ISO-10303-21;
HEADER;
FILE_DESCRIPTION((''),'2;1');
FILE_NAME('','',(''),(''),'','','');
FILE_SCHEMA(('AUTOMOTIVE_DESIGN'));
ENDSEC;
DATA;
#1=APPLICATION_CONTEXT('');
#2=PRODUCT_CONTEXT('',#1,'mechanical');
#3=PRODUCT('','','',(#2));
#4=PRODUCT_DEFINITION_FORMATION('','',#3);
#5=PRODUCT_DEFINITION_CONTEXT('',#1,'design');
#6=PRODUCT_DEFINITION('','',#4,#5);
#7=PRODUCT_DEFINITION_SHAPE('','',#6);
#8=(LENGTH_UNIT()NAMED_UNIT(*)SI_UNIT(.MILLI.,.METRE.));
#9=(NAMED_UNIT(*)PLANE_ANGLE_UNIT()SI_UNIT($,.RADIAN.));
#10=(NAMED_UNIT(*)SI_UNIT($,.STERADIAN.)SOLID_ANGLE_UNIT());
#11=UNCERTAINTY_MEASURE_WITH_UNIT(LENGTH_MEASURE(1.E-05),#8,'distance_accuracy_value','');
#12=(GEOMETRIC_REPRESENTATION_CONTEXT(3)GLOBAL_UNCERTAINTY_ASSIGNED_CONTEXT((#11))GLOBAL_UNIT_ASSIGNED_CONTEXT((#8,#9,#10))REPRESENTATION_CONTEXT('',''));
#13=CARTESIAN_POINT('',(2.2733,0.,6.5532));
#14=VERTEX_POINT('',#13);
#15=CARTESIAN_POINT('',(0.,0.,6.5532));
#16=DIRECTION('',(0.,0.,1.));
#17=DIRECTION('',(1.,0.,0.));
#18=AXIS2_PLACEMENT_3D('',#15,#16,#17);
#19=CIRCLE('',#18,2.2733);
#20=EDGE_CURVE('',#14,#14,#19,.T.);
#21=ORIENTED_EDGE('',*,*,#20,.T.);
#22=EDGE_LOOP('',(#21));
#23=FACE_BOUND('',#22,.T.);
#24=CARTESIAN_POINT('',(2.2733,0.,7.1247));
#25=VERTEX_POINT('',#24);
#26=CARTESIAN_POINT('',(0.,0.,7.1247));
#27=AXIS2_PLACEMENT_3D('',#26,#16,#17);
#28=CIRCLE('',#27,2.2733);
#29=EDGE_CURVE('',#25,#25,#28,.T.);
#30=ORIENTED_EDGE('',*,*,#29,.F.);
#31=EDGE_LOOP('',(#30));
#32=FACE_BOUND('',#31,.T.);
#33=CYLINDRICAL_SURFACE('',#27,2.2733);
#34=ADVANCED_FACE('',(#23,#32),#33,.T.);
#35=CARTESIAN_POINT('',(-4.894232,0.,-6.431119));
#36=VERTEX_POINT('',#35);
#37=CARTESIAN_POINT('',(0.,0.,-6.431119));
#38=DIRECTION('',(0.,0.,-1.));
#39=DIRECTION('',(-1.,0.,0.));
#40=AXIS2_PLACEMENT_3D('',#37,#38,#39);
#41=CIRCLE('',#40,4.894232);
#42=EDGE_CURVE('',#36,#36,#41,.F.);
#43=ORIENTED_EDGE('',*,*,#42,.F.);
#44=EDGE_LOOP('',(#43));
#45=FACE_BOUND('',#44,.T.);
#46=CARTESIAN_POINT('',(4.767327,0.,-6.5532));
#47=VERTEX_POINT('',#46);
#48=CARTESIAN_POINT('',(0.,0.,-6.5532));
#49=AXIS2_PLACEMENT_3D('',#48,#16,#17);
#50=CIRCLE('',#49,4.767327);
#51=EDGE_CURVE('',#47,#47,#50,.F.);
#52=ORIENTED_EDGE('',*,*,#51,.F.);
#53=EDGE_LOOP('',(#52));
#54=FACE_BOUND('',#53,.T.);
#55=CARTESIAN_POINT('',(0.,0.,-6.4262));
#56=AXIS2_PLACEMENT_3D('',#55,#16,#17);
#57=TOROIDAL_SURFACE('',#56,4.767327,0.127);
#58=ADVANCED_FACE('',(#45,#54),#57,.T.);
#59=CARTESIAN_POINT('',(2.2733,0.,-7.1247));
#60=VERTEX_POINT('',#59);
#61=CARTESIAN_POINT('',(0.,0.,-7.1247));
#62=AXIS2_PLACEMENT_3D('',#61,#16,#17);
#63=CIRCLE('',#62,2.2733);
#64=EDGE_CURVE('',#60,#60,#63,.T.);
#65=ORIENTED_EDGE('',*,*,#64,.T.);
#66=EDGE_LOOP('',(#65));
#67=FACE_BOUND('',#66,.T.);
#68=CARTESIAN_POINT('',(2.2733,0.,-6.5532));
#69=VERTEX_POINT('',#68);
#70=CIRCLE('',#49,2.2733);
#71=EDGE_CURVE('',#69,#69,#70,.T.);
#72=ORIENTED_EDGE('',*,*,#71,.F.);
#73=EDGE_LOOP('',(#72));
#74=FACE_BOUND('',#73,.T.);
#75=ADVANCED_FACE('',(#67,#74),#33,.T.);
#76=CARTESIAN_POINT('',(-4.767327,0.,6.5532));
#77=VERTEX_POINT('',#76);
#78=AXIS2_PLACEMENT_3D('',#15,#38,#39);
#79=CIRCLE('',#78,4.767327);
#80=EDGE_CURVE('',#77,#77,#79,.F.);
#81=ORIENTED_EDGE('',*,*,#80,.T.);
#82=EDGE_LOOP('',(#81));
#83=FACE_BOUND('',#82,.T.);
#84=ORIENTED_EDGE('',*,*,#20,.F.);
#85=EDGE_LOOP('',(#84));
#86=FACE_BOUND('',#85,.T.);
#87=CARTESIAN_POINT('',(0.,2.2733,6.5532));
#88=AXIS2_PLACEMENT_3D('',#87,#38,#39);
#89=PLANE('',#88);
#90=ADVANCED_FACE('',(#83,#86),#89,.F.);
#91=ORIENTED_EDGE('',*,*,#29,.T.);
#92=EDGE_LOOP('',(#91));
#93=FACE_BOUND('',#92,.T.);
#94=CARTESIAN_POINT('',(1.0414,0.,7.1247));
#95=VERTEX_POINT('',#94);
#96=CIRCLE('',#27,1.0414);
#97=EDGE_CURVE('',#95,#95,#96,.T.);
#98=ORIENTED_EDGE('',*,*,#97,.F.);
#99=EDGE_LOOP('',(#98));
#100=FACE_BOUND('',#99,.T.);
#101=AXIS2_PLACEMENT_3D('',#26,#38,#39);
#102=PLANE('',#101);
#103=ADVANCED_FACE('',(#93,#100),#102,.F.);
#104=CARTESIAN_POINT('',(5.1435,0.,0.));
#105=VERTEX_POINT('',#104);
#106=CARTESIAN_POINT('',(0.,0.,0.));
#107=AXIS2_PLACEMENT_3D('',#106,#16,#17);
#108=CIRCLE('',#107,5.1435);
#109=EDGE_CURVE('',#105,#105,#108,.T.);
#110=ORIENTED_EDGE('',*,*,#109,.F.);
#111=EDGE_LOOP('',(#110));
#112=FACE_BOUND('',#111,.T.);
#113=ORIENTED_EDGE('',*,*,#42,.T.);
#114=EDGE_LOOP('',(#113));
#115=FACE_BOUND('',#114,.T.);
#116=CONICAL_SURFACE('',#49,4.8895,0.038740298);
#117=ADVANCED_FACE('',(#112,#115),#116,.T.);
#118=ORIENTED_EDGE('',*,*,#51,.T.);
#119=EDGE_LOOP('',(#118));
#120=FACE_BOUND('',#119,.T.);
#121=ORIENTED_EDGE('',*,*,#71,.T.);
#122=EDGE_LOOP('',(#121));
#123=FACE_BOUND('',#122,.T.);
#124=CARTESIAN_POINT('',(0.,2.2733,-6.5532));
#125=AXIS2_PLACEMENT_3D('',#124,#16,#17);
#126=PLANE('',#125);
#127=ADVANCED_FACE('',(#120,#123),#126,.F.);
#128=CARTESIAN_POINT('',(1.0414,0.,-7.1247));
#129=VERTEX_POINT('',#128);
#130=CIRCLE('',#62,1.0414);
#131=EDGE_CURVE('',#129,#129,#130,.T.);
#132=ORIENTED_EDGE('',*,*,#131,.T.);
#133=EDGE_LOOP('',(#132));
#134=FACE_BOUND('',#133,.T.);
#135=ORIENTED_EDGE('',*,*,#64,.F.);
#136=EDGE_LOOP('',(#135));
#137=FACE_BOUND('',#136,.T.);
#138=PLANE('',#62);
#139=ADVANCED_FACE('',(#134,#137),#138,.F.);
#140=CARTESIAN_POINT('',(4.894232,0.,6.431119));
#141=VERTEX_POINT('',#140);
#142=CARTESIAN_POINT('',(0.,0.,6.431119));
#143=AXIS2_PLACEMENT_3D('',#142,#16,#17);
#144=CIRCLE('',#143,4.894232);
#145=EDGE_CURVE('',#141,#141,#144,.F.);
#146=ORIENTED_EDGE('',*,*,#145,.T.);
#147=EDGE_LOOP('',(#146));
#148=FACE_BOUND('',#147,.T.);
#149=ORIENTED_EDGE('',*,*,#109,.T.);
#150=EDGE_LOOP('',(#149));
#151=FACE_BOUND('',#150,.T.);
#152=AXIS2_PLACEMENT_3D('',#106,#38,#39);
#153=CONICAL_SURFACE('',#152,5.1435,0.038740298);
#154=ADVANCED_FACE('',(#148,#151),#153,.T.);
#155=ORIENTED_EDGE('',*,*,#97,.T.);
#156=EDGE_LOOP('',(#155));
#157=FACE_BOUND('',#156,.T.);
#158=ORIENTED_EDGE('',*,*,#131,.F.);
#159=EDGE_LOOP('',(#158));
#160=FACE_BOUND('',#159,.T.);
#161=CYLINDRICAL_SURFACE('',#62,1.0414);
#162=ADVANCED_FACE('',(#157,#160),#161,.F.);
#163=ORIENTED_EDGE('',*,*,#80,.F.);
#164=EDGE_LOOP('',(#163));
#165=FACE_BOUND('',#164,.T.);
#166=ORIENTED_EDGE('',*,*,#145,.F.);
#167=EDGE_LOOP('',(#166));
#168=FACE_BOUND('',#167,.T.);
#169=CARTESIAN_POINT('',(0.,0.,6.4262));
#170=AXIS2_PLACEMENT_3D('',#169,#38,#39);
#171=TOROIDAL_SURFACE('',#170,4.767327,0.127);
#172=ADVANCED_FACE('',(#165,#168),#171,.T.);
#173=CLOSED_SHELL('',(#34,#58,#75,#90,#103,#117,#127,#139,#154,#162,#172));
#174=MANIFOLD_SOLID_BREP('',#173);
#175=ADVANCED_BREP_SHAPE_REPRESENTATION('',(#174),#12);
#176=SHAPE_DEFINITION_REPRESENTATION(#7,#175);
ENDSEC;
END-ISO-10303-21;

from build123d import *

# Parameters (mm, degrees)
SKETCH2_R          = 1.0414
CUT_EXTRUDE1_DEPTH = 16.998643219
FILLET1_R          = 0.127


with BuildPart() as part:
    # Sketch1 → Revolve1 (revolve)
    with BuildSketch(Plane(origin=(0, 0, 0), x_dir=(0, 0, -1), z_dir=(1, 0, 0)), mode=Mode.PRIVATE) as revolve1_sk:
        Polygon((-7.1247, 0), (-7.1247, 2.2733), (-6.5532, 2.2733), (-6.5532, 4.8895), (0, 5.1435), (6.5532, 4.8895), (6.5532, 2.2733), (7.1247, 2.2733), (7.1247, 0), align=None)
    revolve(revolve1_sk.sketch.rotate(Axis((0, 0, 7.1247), (0, 0, -1)), 90), axis=Axis((0, 0, 7.1247), (0, 0, -1)))

    # Sketch2 → Cut-Extrude1 (cut, through all)
    with BuildSketch(Plane.XY.offset(7.1247)):
        Circle(SKETCH2_R)
    extrude(amount=-CUT_EXTRUDE1_DEPTH, mode=Mode.SUBTRACT)

    # Fillet1
    fillet1_edges = [part.edges().sort_by_distance(p)[0] for p in [
        (-4.8895, 0, 6.5532),
        (-4.8895, 0, -6.5532),
    ]]
    fillet(fillet1_edges, radius=FILLET1_R)


solid = part.part
